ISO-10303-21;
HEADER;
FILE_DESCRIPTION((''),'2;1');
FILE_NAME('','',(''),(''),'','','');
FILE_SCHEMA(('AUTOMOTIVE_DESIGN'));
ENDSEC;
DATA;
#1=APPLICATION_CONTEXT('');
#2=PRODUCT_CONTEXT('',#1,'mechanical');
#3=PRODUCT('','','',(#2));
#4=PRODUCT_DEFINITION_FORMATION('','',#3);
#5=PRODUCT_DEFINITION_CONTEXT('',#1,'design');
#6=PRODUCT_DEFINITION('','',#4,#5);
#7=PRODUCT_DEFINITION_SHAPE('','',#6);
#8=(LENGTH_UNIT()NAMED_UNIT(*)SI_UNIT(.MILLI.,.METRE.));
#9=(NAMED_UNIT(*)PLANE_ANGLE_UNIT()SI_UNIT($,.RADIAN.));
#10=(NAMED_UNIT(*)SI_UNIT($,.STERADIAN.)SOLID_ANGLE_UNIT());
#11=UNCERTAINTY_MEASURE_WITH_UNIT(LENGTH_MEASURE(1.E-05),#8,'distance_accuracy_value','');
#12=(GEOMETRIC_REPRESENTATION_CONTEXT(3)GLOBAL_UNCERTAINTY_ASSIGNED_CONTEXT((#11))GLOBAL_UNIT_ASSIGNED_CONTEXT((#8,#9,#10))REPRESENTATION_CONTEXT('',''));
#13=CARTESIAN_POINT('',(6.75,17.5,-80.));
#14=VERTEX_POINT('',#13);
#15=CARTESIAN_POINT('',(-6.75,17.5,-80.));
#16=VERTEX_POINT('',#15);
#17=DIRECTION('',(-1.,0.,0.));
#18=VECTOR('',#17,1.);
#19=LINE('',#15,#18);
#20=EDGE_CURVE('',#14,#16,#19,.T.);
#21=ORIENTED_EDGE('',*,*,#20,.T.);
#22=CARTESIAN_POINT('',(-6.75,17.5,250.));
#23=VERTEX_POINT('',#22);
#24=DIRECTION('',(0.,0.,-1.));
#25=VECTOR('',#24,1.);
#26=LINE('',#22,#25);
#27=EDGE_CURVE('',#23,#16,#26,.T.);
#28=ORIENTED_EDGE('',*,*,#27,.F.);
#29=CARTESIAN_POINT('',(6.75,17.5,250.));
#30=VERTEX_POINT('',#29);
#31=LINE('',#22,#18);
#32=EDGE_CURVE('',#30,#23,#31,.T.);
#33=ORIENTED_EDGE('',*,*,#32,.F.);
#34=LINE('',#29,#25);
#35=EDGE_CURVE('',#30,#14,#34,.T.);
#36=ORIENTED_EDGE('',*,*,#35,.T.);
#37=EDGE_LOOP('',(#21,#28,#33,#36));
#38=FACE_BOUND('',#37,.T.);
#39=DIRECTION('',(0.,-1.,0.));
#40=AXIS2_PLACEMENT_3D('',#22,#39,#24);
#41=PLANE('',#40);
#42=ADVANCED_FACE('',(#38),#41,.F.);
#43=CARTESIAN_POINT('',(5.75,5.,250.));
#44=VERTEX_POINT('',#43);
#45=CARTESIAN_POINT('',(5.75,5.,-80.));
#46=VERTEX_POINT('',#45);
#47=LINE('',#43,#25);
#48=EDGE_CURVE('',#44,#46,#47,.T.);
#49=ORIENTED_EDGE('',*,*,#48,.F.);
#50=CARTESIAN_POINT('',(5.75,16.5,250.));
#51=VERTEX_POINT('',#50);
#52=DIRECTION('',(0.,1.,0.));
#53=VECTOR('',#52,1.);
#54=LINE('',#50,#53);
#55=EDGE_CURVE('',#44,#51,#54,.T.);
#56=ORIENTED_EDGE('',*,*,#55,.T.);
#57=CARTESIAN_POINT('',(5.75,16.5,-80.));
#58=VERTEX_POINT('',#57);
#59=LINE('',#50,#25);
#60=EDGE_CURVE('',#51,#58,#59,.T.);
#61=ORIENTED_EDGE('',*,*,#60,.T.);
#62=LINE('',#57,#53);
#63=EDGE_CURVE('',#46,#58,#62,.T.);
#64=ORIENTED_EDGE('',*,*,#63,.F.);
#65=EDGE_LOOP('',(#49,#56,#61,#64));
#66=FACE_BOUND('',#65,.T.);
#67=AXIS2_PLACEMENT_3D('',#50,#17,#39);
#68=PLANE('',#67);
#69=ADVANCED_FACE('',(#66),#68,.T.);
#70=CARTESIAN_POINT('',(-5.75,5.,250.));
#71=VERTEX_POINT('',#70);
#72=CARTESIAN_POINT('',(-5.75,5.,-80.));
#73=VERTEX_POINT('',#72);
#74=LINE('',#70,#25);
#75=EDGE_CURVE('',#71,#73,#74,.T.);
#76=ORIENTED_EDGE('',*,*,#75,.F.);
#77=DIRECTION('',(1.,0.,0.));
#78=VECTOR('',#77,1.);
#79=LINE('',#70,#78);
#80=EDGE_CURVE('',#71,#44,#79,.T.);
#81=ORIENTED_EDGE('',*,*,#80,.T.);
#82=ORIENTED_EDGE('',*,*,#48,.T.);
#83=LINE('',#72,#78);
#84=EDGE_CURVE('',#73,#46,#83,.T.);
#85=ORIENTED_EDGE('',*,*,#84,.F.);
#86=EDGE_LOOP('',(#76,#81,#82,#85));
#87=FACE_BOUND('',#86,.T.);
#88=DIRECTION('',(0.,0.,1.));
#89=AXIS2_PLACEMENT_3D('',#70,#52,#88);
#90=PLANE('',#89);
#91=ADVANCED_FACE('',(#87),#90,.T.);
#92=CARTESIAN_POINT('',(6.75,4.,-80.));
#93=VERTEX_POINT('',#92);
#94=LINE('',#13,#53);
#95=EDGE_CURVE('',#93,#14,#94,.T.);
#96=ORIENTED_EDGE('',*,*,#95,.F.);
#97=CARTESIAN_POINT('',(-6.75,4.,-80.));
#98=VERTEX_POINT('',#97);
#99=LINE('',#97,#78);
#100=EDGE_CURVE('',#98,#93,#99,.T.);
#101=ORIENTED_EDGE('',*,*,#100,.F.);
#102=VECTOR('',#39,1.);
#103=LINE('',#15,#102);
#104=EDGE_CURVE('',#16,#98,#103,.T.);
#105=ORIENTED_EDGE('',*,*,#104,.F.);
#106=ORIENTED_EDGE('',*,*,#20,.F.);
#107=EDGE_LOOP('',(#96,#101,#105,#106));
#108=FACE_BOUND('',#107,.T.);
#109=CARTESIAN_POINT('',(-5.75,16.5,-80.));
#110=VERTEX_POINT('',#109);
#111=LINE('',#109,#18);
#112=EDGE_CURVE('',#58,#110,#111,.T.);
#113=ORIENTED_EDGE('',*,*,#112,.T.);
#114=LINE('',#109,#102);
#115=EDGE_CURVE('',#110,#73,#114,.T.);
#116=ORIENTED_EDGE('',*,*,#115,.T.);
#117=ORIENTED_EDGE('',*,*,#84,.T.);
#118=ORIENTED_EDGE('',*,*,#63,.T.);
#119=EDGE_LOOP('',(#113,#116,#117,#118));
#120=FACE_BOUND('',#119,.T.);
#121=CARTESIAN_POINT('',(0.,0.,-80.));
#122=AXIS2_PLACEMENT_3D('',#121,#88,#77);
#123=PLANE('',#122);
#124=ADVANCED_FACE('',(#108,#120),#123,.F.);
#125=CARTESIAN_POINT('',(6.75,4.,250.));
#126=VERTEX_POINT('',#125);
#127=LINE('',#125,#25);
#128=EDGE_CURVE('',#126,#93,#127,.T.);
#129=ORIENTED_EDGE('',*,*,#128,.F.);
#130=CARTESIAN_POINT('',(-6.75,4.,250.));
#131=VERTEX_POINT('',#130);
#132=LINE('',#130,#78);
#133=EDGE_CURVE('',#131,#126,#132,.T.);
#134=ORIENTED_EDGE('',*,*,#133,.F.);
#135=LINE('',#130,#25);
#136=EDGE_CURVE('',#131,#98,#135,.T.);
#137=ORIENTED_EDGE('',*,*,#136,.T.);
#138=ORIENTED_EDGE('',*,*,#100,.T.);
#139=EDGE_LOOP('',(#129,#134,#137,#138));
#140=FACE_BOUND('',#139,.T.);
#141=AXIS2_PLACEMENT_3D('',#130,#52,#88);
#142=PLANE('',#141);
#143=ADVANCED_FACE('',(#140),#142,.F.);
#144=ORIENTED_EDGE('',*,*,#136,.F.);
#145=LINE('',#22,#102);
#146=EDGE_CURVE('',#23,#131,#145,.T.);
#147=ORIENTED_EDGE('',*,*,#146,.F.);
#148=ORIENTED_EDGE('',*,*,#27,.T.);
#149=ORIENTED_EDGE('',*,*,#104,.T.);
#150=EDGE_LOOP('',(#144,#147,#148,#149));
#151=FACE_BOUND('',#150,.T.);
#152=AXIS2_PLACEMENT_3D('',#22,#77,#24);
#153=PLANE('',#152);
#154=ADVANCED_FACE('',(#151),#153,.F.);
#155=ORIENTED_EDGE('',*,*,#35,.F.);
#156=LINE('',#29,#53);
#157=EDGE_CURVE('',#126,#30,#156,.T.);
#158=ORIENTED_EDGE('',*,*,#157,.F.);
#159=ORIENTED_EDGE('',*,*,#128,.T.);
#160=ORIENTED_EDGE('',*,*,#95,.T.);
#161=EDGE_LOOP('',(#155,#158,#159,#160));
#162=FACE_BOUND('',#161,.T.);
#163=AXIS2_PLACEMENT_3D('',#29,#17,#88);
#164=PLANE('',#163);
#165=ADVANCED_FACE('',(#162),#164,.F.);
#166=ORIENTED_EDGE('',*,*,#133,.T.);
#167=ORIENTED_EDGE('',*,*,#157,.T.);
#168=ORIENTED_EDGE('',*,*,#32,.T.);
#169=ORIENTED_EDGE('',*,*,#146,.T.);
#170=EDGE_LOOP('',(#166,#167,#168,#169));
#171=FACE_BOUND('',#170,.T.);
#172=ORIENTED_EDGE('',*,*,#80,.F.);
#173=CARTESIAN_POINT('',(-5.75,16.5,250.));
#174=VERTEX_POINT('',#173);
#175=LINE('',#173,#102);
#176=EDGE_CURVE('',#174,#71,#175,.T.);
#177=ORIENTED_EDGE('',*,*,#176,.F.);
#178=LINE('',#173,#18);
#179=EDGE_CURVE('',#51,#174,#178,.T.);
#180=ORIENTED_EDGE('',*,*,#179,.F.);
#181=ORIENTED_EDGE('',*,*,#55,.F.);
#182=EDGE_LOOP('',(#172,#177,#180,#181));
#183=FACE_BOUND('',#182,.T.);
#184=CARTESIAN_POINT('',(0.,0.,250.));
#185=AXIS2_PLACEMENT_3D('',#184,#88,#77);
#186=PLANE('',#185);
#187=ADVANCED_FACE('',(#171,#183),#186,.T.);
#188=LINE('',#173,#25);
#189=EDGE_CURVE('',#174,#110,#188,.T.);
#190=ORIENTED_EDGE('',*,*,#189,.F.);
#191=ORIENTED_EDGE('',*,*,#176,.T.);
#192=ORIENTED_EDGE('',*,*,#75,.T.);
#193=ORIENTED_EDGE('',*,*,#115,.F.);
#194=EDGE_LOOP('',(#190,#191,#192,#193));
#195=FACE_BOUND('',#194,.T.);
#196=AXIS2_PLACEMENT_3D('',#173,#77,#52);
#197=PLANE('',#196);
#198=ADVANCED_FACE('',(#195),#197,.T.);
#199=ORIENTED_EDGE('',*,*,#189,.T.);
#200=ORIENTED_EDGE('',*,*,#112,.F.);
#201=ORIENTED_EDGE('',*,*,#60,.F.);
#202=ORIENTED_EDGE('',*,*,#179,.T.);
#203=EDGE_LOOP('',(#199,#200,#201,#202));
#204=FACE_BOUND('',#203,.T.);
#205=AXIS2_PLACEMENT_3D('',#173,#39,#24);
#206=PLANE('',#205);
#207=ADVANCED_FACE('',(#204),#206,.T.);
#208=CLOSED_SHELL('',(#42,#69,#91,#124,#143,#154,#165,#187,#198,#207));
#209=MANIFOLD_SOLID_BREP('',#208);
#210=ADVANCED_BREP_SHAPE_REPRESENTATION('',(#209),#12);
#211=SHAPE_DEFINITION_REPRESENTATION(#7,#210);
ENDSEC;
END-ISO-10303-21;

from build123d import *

# Parameters (mm, degrees)
SALIENTE_EXTRUIR1_START = -80
CROQUIS1_W              = 13.5
CROQUIS1_H              = 13.5
CROQUIS1_W_2            = 11.5
CROQUIS1_H_2            = 11.5
SALIENTE_EXTRUIR1_DEPTH = 330


with BuildPart() as part:
    # Croquis1 → Saliente-Extruir1 (new body)
    with BuildSketch(Plane.XY.offset(SALIENTE_EXTRUIR1_START)):
        with Locations((0, 10.75)):
            Rectangle(CROQUIS1_W, CROQUIS1_H)
        with Locations((0, 10.75)):
            Rectangle(CROQUIS1_W_2, CROQUIS1_H_2, mode=Mode.SUBTRACT)
    extrude(amount=SALIENTE_EXTRUIR1_DEPTH)


solid = part.part
